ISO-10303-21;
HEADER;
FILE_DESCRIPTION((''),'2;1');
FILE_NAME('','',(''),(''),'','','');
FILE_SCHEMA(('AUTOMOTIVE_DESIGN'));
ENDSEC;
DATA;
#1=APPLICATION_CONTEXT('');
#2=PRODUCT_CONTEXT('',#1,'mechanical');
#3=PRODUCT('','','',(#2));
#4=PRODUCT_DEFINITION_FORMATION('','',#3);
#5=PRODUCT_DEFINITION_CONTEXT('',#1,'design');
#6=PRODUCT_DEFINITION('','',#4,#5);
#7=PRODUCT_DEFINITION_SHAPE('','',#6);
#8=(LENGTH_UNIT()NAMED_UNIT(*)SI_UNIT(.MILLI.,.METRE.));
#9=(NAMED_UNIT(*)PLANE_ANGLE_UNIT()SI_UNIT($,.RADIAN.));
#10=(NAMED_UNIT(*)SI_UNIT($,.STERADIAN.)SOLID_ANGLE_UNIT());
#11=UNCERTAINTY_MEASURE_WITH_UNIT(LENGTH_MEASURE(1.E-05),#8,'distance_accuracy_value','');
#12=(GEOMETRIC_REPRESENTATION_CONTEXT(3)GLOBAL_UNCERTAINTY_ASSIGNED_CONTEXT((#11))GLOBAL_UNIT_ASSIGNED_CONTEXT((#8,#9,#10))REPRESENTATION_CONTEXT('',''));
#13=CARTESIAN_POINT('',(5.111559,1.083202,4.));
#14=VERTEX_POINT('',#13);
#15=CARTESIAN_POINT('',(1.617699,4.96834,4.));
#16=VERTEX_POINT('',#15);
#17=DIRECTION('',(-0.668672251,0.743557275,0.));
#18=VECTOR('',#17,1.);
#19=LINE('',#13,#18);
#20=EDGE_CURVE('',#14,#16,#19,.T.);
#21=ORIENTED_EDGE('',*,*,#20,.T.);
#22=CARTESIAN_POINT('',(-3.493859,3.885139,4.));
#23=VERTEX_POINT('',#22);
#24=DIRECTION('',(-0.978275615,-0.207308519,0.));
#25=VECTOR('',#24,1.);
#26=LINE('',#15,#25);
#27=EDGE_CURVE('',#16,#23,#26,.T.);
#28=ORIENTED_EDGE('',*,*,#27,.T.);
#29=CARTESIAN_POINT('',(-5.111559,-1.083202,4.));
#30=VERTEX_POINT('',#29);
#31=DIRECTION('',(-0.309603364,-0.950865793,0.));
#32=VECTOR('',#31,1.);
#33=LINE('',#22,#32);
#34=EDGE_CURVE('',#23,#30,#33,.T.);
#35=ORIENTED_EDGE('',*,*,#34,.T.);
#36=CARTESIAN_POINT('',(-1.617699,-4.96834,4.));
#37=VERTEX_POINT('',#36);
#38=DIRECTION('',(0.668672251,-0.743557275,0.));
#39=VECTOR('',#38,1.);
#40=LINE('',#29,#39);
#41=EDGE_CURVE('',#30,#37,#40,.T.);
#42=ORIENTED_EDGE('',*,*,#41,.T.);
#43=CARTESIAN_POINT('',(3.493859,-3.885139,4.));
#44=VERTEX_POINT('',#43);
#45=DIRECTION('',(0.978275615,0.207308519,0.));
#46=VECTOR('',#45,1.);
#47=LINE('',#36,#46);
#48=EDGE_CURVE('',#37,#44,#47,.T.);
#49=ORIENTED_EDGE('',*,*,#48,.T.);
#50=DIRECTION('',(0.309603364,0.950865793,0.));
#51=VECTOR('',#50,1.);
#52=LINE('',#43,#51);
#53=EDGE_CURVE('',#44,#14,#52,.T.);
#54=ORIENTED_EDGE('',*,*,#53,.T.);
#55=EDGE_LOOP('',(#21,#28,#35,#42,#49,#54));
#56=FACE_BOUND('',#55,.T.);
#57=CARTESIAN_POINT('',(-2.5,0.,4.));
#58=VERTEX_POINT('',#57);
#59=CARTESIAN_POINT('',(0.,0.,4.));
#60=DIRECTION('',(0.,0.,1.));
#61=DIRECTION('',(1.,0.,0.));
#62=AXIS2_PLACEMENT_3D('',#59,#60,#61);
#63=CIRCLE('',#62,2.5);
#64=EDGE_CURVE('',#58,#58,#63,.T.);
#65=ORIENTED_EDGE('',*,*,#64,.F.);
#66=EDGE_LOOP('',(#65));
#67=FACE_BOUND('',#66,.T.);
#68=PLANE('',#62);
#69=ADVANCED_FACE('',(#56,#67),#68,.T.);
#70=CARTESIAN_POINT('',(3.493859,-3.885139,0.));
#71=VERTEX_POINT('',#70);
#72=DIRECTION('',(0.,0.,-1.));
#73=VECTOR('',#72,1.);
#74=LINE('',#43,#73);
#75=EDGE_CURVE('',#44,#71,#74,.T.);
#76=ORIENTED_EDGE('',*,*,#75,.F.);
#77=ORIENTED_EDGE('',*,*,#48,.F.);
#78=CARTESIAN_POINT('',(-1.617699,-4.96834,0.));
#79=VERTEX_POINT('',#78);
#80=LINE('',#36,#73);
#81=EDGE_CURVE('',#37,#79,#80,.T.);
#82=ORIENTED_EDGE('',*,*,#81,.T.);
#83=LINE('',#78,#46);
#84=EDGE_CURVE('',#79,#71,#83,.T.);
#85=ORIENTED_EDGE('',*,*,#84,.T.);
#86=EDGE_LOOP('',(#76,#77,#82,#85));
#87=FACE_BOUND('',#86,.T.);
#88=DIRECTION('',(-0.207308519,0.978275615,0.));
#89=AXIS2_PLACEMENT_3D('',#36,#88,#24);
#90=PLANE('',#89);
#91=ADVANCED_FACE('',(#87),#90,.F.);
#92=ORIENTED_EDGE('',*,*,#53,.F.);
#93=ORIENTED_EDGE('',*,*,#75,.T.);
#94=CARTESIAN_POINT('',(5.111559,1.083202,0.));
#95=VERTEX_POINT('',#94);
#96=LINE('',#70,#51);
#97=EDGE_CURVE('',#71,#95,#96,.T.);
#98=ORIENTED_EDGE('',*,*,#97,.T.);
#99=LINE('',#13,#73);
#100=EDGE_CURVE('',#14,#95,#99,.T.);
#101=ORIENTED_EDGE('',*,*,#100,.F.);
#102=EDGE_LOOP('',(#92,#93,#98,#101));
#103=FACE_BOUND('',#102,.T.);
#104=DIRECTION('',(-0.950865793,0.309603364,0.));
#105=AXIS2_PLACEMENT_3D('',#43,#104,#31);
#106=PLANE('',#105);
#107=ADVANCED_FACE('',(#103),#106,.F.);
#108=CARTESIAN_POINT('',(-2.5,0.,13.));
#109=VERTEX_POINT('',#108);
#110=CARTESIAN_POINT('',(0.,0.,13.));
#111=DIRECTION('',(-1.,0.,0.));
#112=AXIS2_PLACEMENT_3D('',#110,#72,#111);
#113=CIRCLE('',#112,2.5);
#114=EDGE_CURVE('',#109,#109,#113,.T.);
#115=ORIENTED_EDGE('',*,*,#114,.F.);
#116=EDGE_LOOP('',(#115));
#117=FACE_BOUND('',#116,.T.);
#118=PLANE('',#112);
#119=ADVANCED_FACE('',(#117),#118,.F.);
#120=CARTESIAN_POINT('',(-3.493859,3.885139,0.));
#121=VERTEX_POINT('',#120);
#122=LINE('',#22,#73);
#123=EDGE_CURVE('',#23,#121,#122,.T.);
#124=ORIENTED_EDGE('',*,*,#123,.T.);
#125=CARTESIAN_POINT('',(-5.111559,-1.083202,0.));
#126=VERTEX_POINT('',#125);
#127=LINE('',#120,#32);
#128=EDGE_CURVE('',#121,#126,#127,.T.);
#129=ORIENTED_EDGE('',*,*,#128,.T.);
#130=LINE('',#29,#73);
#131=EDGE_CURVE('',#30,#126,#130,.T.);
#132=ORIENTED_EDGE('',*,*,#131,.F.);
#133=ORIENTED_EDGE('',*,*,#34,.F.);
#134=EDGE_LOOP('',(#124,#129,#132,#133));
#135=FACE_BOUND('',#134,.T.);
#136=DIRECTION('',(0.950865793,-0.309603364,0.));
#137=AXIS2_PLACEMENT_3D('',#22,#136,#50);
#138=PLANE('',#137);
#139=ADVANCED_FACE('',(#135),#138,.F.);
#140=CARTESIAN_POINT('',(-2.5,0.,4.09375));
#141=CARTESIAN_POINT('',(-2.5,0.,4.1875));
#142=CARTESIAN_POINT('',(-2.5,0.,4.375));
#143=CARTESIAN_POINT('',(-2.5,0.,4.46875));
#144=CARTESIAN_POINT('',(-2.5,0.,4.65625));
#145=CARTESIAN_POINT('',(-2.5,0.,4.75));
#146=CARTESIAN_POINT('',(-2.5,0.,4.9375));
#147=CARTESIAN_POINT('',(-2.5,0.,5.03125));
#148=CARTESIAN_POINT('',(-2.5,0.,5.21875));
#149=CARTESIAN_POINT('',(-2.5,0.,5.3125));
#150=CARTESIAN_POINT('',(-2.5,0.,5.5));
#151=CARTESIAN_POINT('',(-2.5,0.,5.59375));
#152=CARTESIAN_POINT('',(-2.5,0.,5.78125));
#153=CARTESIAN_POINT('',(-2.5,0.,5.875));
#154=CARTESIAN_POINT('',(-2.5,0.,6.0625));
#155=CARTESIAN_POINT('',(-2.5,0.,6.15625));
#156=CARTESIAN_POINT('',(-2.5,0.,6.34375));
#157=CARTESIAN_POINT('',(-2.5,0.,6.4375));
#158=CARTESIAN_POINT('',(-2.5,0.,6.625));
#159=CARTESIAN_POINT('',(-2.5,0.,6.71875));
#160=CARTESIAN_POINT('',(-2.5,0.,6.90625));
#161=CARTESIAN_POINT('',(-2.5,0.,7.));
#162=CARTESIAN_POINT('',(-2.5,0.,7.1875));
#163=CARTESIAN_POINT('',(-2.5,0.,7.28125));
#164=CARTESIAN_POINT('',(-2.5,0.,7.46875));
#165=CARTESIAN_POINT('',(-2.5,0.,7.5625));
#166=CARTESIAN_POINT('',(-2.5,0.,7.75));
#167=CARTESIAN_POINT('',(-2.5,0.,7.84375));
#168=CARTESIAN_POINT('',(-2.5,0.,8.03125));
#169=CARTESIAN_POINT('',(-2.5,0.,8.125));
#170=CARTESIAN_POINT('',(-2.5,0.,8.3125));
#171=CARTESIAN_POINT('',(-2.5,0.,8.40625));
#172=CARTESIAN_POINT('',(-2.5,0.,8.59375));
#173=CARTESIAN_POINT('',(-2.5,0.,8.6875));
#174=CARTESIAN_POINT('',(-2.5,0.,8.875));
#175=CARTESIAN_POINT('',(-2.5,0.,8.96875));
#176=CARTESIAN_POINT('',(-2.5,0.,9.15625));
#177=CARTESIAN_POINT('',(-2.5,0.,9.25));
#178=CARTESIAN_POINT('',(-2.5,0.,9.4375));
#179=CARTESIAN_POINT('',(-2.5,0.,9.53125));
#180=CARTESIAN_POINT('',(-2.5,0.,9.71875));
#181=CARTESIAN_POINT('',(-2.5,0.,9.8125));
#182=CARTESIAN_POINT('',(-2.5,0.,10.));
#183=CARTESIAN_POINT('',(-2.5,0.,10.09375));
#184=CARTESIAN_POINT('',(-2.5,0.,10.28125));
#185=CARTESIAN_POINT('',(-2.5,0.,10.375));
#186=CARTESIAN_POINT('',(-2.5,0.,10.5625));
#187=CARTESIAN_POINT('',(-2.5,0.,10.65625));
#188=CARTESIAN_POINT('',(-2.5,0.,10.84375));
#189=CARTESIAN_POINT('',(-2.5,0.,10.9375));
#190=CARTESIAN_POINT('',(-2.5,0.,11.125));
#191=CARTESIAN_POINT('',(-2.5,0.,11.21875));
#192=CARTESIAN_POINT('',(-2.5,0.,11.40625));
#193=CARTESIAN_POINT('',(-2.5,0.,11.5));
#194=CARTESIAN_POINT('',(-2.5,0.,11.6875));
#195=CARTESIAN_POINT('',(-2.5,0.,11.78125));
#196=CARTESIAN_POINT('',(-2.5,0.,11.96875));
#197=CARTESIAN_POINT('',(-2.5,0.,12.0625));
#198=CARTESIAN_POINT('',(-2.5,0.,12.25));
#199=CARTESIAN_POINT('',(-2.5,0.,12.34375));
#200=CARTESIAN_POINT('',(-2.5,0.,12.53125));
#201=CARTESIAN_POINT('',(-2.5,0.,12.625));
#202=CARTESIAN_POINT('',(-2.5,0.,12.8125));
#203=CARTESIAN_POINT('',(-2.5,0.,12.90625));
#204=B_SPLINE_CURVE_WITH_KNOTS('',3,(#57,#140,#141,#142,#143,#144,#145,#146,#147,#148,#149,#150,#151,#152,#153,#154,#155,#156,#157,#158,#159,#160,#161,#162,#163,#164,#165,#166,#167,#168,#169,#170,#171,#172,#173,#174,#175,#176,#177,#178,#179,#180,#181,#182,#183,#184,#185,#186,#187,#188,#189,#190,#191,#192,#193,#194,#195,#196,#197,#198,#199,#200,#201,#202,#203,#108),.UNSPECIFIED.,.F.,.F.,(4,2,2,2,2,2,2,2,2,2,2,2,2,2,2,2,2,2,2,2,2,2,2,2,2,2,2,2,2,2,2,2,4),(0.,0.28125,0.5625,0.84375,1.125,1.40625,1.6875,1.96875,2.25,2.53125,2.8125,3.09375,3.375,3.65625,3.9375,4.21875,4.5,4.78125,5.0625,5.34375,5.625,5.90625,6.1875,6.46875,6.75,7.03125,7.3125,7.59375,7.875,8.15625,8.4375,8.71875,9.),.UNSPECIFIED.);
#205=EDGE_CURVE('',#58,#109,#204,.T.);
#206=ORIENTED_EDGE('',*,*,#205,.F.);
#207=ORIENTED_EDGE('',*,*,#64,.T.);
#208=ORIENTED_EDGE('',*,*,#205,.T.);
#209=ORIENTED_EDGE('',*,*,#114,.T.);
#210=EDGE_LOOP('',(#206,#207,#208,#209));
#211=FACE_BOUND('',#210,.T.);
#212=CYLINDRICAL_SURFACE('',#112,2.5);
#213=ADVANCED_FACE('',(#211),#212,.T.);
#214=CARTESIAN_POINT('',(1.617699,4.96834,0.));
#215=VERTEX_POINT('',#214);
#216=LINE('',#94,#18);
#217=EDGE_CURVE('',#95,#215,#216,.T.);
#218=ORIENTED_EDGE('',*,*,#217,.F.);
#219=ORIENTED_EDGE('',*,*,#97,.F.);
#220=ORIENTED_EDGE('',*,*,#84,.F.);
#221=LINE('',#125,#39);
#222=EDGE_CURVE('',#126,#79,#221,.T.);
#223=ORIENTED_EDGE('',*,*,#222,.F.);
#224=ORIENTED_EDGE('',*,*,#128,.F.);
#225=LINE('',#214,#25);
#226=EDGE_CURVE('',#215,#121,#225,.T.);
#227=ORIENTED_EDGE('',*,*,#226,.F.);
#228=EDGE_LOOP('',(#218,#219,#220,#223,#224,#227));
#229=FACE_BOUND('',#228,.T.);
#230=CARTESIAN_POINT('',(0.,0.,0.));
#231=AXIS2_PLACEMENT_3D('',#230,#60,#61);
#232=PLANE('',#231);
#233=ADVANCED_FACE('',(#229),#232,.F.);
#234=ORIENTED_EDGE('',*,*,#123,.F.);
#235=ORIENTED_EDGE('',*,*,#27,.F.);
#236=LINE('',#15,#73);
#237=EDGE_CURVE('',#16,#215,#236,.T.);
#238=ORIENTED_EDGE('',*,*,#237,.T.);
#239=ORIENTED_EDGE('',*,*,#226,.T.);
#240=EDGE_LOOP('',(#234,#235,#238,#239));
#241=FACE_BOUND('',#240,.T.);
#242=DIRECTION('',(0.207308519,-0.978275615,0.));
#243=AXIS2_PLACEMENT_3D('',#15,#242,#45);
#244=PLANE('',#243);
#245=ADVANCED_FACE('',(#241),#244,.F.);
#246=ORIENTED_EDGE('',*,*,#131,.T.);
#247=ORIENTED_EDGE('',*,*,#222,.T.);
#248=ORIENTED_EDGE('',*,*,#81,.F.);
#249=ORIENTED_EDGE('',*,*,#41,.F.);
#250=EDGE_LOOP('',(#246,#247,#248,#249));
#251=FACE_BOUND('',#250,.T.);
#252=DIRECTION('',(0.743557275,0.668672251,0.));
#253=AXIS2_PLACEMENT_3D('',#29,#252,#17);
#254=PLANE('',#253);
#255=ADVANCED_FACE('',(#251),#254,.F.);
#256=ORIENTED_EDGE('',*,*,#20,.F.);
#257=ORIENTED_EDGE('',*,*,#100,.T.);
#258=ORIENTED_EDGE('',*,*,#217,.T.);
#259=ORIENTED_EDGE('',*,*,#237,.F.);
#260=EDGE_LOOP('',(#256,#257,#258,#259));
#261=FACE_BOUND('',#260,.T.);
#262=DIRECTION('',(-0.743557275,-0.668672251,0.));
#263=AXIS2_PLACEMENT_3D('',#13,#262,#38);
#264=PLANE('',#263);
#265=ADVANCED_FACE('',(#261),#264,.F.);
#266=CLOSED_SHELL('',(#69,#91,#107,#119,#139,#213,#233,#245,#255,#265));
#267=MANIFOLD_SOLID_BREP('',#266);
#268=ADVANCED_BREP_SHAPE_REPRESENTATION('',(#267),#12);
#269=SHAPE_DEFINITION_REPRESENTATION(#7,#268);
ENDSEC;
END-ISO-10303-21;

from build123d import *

# Parameters (mm, degrees)
SKETCH1_R           = 2.5
BOSS_EXTRUDE3_DEPTH = 4
SKETCH2_R           = 2.5
BOSS_EXTRUDE4_DEPTH = 13


with BuildPart() as part:
    # Sketch1 → Boss-Extrude3 (new body)
    with BuildSketch(Plane.XY):
        Polygon((3.493859283, -3.885138771), (5.111558514, 1.08320151), (1.617699232, 4.968340281), (-3.493859283, 3.885138771), (-5.111558514, -1.08320151), (-1.617699232, -4.968340281), align=None)
        Circle(SKETCH1_R, mode=Mode.SUBTRACT)
    extrude(amount=BOSS_EXTRUDE3_DEPTH)

    # Sketch2 → Boss-Extrude4 (add)
    with BuildSketch(Plane(origin=(0, 0, 0), x_dir=(-1, 0, 0), z_dir=(0, 0, -1))):
        Circle(SKETCH2_R)
    extrude(amount=-BOSS_EXTRUDE4_DEPTH)


solid = part.part
